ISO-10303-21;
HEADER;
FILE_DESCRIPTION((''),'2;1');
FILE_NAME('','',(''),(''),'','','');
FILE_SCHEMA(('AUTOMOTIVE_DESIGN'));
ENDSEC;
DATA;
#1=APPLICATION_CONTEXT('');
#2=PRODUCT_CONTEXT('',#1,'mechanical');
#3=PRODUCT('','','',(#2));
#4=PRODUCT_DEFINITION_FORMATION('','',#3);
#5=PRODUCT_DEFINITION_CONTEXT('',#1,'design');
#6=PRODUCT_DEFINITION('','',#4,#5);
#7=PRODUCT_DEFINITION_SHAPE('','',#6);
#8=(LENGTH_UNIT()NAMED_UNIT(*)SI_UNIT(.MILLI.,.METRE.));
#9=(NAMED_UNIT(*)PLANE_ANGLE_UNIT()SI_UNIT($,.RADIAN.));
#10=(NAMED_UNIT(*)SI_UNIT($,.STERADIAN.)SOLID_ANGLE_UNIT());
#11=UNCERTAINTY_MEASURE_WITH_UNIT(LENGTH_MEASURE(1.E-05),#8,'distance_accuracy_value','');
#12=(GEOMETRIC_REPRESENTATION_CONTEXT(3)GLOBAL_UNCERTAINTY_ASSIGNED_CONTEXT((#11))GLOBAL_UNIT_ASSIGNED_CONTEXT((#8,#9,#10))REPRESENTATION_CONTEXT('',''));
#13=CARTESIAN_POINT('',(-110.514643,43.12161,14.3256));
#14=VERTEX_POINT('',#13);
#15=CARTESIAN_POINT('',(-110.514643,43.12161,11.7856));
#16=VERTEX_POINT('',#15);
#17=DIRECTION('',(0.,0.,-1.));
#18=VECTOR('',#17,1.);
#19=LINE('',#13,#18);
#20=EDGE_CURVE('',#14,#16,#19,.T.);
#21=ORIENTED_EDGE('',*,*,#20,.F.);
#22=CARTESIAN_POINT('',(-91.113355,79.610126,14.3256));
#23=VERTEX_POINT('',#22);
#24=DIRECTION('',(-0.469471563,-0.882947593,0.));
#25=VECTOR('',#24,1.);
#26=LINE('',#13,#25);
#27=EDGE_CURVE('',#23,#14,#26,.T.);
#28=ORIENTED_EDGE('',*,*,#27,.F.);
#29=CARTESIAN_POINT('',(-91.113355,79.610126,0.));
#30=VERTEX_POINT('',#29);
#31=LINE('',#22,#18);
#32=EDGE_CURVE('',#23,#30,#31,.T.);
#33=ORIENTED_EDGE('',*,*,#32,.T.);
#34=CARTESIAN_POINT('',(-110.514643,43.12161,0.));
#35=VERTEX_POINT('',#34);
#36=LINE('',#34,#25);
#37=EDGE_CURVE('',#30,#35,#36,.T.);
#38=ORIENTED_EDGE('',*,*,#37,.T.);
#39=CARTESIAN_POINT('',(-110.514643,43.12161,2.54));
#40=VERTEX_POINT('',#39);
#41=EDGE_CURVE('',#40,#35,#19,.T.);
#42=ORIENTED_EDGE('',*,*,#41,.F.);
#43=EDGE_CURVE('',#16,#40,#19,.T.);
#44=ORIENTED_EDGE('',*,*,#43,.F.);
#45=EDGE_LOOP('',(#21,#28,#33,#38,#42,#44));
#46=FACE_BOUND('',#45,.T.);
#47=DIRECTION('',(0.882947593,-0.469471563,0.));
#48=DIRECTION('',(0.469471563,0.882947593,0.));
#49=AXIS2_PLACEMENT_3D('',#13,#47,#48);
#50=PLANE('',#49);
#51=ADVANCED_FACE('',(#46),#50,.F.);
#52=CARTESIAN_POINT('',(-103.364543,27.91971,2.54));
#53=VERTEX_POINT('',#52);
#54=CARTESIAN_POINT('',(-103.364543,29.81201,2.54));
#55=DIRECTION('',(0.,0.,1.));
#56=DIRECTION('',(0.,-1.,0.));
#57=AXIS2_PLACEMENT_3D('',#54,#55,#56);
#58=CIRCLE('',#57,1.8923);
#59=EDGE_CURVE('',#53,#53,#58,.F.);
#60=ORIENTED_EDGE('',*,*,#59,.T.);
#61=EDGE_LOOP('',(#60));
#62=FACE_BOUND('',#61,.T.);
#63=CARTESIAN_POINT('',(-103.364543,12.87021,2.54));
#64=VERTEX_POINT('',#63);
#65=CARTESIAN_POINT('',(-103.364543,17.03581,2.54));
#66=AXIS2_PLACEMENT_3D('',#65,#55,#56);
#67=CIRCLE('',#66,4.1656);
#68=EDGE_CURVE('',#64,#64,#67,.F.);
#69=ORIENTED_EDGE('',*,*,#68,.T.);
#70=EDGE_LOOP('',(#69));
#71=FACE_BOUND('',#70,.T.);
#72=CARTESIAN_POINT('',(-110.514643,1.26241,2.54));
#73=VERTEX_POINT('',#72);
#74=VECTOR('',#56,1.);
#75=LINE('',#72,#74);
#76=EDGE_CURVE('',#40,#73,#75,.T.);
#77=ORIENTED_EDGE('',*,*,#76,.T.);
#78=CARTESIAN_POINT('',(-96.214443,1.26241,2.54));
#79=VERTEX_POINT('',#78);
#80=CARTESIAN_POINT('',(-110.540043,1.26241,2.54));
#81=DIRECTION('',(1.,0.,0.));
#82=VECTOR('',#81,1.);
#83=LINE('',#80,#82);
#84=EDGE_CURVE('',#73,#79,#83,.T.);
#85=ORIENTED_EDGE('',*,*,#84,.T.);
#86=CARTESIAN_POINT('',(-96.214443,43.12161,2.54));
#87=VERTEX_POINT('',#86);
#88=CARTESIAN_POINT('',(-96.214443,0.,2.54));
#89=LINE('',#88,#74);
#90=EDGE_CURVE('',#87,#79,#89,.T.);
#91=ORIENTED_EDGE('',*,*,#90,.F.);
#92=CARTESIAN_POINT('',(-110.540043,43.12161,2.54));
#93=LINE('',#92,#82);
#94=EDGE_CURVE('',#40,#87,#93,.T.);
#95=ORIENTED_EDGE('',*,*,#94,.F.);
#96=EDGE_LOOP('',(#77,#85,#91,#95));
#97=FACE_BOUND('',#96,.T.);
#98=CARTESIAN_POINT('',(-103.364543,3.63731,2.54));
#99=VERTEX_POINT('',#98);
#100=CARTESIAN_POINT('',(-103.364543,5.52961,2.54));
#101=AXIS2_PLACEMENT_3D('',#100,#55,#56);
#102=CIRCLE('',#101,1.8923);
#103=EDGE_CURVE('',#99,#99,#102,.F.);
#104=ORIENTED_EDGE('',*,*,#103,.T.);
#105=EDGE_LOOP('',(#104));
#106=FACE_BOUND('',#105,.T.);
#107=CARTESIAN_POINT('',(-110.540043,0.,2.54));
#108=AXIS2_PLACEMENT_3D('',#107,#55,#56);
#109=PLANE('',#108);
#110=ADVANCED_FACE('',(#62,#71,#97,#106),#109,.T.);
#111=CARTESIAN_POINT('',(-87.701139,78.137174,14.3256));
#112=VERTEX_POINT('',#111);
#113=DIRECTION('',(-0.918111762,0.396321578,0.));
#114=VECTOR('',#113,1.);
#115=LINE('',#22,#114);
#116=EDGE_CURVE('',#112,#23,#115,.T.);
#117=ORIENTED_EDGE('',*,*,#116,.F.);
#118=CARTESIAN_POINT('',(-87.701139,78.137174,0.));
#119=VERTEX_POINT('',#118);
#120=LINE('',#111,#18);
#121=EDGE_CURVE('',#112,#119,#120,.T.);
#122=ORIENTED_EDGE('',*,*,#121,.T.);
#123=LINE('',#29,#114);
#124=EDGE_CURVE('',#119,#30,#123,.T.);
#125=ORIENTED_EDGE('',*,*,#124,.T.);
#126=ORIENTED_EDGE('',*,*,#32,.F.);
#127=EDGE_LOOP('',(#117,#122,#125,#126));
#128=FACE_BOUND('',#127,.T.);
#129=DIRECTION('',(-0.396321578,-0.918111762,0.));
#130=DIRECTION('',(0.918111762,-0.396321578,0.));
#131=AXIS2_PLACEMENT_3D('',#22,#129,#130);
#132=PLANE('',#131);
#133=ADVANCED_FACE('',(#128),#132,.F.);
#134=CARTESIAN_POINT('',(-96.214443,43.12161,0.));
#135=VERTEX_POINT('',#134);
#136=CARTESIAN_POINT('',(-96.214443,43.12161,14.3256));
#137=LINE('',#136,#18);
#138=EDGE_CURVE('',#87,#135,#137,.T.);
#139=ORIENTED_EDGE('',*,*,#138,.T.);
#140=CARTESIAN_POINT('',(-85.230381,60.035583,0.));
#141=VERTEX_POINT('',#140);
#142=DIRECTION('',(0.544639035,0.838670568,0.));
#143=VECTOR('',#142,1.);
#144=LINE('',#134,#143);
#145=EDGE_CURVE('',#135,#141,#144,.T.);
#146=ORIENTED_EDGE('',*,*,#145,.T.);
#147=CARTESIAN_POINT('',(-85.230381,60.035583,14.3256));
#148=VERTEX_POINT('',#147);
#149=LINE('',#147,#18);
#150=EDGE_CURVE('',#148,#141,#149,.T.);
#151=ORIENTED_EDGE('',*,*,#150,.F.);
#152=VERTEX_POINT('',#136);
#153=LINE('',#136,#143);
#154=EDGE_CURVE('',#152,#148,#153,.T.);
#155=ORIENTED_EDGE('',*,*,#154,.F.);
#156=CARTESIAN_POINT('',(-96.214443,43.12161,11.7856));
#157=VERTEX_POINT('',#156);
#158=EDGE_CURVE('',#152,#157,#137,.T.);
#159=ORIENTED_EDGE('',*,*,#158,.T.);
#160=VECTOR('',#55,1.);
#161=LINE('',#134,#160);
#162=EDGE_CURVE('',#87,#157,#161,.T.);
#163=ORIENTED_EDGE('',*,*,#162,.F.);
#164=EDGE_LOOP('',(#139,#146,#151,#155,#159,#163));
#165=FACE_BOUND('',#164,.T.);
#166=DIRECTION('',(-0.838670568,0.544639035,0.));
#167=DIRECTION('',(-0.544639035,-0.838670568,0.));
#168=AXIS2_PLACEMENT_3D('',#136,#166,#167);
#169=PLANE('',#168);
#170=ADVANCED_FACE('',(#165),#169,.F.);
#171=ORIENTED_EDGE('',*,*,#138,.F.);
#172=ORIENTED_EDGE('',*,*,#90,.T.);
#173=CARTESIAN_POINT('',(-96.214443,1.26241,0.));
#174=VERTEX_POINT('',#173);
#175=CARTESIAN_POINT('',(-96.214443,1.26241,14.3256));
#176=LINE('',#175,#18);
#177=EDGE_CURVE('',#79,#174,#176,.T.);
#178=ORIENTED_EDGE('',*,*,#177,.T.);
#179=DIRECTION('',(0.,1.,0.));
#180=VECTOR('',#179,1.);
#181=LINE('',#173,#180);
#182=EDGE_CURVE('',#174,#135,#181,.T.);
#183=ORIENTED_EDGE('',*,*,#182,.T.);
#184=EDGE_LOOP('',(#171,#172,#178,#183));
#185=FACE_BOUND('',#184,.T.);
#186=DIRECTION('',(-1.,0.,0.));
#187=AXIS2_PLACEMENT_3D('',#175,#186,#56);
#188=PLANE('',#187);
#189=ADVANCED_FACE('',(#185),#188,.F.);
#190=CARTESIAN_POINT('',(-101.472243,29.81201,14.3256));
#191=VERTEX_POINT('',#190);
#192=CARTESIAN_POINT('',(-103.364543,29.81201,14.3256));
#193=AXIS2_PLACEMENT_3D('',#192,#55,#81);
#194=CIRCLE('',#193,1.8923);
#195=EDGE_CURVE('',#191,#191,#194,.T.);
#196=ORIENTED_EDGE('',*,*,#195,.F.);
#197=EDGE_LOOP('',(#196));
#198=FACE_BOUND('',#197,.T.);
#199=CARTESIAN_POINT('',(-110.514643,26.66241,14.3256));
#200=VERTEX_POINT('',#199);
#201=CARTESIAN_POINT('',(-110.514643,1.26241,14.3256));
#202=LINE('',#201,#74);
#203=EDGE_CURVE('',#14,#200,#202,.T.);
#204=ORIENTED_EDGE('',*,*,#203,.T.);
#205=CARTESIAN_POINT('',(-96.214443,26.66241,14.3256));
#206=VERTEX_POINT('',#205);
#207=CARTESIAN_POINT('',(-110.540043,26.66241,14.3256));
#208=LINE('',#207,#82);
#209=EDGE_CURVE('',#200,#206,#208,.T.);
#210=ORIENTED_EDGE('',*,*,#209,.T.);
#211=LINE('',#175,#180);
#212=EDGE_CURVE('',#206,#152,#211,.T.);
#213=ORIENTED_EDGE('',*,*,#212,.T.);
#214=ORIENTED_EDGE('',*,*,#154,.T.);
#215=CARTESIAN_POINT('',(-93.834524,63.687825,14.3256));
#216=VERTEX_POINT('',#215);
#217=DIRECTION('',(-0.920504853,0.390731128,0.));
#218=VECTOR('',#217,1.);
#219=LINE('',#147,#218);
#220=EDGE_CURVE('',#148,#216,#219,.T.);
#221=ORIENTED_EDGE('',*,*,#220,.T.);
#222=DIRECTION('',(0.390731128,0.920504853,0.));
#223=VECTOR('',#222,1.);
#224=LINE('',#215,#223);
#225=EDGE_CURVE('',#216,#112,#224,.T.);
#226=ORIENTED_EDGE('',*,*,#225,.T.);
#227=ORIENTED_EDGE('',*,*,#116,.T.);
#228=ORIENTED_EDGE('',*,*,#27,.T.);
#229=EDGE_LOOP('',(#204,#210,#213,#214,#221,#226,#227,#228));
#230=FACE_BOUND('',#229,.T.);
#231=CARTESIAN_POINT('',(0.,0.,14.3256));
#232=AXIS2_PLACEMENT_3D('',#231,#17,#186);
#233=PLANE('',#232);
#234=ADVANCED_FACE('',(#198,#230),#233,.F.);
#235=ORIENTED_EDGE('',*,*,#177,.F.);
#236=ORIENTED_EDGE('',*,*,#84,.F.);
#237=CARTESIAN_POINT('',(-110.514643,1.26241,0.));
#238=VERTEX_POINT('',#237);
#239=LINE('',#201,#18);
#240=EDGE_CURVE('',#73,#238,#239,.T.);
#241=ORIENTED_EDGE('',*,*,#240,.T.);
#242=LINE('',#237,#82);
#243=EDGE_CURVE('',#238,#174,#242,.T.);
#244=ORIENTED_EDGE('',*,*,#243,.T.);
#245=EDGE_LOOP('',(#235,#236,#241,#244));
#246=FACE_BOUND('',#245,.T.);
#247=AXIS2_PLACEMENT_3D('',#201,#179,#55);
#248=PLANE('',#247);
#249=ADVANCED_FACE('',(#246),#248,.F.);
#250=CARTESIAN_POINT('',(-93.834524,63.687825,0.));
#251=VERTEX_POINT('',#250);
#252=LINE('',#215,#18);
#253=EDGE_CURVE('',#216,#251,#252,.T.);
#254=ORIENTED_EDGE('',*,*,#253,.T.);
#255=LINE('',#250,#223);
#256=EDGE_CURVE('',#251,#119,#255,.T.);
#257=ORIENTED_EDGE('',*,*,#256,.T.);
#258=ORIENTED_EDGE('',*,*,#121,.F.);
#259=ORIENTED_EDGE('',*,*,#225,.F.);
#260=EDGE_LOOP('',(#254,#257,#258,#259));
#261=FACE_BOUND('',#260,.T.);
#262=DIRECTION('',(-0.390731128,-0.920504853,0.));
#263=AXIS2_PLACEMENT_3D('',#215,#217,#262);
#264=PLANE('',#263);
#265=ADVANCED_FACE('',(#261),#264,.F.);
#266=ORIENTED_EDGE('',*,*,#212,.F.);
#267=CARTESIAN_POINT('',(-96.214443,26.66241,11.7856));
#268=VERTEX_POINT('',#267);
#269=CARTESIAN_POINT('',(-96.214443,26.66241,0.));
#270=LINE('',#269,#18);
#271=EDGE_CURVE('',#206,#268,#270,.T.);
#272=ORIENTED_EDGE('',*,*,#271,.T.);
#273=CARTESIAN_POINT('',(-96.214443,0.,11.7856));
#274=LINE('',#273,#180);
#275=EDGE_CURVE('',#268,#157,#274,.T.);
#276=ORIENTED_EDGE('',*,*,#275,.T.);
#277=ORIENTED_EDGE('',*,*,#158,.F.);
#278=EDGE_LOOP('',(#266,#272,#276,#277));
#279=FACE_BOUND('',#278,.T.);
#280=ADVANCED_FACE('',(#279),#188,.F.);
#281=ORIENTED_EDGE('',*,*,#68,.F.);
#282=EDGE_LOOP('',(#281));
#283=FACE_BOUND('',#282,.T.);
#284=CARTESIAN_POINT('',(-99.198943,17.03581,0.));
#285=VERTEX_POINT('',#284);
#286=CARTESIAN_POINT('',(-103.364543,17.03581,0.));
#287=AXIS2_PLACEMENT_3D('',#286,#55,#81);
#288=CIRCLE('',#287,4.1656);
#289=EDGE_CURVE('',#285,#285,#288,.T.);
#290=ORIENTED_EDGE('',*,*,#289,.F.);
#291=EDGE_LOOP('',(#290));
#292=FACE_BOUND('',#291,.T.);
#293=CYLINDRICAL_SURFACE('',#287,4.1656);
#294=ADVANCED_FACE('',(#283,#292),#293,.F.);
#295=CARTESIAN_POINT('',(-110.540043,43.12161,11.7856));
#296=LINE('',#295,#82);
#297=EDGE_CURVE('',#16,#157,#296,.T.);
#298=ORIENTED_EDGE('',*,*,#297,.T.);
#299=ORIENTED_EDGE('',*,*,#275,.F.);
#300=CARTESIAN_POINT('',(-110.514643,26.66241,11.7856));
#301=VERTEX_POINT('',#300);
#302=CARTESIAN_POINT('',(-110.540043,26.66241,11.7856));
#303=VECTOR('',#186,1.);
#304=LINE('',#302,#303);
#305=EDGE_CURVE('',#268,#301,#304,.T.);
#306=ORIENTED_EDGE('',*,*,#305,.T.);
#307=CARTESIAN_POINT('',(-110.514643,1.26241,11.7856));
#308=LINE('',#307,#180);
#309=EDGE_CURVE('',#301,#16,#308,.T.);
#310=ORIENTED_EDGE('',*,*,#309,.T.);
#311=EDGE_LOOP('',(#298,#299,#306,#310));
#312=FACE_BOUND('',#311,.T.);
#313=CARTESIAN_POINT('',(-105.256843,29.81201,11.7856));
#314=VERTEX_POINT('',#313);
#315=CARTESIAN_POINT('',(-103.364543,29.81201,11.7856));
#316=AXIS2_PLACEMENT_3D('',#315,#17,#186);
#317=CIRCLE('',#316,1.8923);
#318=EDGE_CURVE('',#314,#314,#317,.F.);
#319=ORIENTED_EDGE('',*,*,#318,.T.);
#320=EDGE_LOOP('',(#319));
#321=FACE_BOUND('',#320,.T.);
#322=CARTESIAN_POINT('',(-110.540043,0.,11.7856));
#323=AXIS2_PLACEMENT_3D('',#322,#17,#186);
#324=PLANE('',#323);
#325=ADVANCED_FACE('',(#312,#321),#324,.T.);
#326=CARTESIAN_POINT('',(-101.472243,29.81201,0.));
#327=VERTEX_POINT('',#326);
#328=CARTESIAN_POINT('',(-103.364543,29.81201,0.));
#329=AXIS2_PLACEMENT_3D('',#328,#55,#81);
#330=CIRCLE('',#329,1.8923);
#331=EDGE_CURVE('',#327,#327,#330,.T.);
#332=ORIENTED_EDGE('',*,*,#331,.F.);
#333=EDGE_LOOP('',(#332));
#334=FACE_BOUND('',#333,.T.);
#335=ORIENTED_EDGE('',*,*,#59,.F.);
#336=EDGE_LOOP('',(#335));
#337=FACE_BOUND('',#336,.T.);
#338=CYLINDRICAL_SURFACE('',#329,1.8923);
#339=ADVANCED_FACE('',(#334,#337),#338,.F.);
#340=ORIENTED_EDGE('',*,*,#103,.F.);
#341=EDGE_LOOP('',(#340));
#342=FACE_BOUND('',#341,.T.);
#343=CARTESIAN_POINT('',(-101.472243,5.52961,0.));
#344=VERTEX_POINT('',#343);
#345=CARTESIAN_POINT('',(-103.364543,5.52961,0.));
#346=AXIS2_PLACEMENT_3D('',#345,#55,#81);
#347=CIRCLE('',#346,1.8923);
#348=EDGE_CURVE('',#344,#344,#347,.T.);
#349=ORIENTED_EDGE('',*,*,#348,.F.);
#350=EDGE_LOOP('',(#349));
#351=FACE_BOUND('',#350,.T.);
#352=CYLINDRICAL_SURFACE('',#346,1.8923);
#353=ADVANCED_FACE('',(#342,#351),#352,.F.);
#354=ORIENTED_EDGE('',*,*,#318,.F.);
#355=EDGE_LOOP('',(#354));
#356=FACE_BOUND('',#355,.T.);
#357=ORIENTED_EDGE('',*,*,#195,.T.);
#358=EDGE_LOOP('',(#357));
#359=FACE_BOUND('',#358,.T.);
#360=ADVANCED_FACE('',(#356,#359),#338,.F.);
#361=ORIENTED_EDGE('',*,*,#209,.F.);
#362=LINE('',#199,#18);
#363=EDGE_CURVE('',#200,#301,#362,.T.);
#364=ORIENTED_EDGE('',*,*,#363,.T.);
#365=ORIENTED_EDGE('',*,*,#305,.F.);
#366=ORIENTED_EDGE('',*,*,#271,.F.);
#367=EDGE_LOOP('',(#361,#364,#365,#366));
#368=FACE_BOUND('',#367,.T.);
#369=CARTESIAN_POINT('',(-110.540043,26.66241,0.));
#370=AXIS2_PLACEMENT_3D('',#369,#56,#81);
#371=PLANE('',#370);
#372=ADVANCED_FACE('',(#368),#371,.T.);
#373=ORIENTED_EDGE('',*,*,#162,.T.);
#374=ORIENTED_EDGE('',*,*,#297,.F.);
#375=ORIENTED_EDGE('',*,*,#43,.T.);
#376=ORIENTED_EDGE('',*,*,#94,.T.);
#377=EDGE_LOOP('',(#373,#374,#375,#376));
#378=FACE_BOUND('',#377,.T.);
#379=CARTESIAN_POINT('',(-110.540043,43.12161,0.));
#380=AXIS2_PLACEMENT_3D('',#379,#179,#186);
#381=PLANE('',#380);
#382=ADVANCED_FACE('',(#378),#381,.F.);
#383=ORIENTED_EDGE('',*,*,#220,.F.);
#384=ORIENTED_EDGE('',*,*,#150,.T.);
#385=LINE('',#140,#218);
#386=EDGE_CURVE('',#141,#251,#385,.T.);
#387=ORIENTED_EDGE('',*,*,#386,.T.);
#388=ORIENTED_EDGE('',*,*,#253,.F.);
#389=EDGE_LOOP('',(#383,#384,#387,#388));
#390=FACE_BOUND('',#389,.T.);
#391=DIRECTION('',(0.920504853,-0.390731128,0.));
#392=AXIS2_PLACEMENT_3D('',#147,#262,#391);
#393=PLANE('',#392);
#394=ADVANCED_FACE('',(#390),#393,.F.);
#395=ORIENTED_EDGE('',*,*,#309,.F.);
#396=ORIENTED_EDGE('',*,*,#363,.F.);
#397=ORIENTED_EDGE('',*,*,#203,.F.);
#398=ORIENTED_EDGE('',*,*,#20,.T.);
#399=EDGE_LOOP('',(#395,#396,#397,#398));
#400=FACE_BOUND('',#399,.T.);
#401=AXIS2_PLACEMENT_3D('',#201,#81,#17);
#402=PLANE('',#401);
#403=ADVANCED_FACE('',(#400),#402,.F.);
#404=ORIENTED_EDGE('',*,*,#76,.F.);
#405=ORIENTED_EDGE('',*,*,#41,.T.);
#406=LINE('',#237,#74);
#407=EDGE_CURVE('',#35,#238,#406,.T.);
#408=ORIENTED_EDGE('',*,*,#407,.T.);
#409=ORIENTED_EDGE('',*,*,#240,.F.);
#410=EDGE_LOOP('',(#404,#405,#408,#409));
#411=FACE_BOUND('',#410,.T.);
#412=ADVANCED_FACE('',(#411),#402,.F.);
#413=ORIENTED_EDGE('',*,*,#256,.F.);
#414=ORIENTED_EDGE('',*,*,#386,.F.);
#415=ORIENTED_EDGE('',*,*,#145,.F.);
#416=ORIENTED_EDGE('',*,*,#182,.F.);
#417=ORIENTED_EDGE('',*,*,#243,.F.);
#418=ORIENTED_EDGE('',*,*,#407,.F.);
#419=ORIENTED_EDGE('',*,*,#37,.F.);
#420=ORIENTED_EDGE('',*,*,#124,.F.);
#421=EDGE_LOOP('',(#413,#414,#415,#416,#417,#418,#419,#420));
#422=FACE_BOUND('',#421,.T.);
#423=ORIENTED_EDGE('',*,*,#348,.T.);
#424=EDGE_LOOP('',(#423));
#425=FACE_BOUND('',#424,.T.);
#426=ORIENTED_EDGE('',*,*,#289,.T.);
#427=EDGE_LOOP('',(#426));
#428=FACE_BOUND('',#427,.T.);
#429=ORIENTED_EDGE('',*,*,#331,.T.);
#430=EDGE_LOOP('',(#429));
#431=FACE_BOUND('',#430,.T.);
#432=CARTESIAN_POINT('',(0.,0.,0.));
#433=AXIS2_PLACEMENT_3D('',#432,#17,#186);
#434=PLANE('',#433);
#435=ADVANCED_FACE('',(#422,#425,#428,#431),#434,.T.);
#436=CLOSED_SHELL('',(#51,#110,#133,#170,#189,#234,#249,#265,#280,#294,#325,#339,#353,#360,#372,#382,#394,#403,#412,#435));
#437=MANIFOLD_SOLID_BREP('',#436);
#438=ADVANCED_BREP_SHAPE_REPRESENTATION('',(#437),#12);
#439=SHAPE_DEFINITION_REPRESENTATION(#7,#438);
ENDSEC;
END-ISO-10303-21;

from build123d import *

# Parameters (mm, degrees)
BOSS_EXTRUDE1_DEPTH = 14.3256
SKETCH2_R           = 1.8923
SKETCH2_R_2         = 4.1656
CUT_EXTRUDE1_DEPTH  = 14.3256
SKETCH3_W           = 9.2456
SKETCH3_H           = 41.8592
CUT_EXTRUDE2_DEPTH  = 14.3256
SKETCH4_W           = 2.54
SKETCH4_H           = 25.4
CUT_EXTRUDE3_DEPTH  = 14.3256


with BuildPart() as part:
    # Sketch1 → Boss-Extrude1 (new body)
    with BuildSketch(Plane.XY):
        Polygon((-110.51464309, 1.262410177), (-96.21444309, 1.262410177), (-96.21444309, 43.121610177), (-85.230380887, 60.035582724), (-93.834523853, 63.687824728), (-87.701139183, 78.137173513), (-91.11335518, 79.61012581), (-110.51464309, 43.121610177), align=None)
    extrude(amount=BOSS_EXTRUDE1_DEPTH)

    # Sketch2 → Cut-Extrude1 (cut)
    with BuildSketch(Plane.XY.offset(14.3256)):
        with Locations((-103.36454309, 5.529610177)):
            Circle(SKETCH2_R)
        with Locations((-103.36454309, 17.035810177)):
            Circle(SKETCH2_R_2)
        with Locations((-103.36454309, 29.812010177)):
            Circle(SKETCH2_R)
    extrude(amount=-CUT_EXTRUDE1_DEPTH, mode=Mode.SUBTRACT)

    # Sketch3 → Cut-Extrude2 (cut)
    with BuildSketch(Plane(origin=(-96.21444309, 0, 0), x_dir=(0, 0, -1), z_dir=(1, 0, 0))):
        with Locations((-7.1628, 22.192010177)):
            Rectangle(SKETCH3_W, SKETCH3_H)
    extrude(amount=-CUT_EXTRUDE2_DEPTH, mode=Mode.SUBTRACT)

    # Sketch4 → Cut-Extrude3 (cut)
    with BuildSketch(Plane(origin=(-96.21444309, 0, 0), x_dir=(0, 0, -1), z_dir=(1, 0, 0))):
        with Locations((-13.0556, 13.962410177)):
            Rectangle(SKETCH4_W, SKETCH4_H)
    extrude(amount=-CUT_EXTRUDE3_DEPTH, mode=Mode.SUBTRACT)


solid = part.part
